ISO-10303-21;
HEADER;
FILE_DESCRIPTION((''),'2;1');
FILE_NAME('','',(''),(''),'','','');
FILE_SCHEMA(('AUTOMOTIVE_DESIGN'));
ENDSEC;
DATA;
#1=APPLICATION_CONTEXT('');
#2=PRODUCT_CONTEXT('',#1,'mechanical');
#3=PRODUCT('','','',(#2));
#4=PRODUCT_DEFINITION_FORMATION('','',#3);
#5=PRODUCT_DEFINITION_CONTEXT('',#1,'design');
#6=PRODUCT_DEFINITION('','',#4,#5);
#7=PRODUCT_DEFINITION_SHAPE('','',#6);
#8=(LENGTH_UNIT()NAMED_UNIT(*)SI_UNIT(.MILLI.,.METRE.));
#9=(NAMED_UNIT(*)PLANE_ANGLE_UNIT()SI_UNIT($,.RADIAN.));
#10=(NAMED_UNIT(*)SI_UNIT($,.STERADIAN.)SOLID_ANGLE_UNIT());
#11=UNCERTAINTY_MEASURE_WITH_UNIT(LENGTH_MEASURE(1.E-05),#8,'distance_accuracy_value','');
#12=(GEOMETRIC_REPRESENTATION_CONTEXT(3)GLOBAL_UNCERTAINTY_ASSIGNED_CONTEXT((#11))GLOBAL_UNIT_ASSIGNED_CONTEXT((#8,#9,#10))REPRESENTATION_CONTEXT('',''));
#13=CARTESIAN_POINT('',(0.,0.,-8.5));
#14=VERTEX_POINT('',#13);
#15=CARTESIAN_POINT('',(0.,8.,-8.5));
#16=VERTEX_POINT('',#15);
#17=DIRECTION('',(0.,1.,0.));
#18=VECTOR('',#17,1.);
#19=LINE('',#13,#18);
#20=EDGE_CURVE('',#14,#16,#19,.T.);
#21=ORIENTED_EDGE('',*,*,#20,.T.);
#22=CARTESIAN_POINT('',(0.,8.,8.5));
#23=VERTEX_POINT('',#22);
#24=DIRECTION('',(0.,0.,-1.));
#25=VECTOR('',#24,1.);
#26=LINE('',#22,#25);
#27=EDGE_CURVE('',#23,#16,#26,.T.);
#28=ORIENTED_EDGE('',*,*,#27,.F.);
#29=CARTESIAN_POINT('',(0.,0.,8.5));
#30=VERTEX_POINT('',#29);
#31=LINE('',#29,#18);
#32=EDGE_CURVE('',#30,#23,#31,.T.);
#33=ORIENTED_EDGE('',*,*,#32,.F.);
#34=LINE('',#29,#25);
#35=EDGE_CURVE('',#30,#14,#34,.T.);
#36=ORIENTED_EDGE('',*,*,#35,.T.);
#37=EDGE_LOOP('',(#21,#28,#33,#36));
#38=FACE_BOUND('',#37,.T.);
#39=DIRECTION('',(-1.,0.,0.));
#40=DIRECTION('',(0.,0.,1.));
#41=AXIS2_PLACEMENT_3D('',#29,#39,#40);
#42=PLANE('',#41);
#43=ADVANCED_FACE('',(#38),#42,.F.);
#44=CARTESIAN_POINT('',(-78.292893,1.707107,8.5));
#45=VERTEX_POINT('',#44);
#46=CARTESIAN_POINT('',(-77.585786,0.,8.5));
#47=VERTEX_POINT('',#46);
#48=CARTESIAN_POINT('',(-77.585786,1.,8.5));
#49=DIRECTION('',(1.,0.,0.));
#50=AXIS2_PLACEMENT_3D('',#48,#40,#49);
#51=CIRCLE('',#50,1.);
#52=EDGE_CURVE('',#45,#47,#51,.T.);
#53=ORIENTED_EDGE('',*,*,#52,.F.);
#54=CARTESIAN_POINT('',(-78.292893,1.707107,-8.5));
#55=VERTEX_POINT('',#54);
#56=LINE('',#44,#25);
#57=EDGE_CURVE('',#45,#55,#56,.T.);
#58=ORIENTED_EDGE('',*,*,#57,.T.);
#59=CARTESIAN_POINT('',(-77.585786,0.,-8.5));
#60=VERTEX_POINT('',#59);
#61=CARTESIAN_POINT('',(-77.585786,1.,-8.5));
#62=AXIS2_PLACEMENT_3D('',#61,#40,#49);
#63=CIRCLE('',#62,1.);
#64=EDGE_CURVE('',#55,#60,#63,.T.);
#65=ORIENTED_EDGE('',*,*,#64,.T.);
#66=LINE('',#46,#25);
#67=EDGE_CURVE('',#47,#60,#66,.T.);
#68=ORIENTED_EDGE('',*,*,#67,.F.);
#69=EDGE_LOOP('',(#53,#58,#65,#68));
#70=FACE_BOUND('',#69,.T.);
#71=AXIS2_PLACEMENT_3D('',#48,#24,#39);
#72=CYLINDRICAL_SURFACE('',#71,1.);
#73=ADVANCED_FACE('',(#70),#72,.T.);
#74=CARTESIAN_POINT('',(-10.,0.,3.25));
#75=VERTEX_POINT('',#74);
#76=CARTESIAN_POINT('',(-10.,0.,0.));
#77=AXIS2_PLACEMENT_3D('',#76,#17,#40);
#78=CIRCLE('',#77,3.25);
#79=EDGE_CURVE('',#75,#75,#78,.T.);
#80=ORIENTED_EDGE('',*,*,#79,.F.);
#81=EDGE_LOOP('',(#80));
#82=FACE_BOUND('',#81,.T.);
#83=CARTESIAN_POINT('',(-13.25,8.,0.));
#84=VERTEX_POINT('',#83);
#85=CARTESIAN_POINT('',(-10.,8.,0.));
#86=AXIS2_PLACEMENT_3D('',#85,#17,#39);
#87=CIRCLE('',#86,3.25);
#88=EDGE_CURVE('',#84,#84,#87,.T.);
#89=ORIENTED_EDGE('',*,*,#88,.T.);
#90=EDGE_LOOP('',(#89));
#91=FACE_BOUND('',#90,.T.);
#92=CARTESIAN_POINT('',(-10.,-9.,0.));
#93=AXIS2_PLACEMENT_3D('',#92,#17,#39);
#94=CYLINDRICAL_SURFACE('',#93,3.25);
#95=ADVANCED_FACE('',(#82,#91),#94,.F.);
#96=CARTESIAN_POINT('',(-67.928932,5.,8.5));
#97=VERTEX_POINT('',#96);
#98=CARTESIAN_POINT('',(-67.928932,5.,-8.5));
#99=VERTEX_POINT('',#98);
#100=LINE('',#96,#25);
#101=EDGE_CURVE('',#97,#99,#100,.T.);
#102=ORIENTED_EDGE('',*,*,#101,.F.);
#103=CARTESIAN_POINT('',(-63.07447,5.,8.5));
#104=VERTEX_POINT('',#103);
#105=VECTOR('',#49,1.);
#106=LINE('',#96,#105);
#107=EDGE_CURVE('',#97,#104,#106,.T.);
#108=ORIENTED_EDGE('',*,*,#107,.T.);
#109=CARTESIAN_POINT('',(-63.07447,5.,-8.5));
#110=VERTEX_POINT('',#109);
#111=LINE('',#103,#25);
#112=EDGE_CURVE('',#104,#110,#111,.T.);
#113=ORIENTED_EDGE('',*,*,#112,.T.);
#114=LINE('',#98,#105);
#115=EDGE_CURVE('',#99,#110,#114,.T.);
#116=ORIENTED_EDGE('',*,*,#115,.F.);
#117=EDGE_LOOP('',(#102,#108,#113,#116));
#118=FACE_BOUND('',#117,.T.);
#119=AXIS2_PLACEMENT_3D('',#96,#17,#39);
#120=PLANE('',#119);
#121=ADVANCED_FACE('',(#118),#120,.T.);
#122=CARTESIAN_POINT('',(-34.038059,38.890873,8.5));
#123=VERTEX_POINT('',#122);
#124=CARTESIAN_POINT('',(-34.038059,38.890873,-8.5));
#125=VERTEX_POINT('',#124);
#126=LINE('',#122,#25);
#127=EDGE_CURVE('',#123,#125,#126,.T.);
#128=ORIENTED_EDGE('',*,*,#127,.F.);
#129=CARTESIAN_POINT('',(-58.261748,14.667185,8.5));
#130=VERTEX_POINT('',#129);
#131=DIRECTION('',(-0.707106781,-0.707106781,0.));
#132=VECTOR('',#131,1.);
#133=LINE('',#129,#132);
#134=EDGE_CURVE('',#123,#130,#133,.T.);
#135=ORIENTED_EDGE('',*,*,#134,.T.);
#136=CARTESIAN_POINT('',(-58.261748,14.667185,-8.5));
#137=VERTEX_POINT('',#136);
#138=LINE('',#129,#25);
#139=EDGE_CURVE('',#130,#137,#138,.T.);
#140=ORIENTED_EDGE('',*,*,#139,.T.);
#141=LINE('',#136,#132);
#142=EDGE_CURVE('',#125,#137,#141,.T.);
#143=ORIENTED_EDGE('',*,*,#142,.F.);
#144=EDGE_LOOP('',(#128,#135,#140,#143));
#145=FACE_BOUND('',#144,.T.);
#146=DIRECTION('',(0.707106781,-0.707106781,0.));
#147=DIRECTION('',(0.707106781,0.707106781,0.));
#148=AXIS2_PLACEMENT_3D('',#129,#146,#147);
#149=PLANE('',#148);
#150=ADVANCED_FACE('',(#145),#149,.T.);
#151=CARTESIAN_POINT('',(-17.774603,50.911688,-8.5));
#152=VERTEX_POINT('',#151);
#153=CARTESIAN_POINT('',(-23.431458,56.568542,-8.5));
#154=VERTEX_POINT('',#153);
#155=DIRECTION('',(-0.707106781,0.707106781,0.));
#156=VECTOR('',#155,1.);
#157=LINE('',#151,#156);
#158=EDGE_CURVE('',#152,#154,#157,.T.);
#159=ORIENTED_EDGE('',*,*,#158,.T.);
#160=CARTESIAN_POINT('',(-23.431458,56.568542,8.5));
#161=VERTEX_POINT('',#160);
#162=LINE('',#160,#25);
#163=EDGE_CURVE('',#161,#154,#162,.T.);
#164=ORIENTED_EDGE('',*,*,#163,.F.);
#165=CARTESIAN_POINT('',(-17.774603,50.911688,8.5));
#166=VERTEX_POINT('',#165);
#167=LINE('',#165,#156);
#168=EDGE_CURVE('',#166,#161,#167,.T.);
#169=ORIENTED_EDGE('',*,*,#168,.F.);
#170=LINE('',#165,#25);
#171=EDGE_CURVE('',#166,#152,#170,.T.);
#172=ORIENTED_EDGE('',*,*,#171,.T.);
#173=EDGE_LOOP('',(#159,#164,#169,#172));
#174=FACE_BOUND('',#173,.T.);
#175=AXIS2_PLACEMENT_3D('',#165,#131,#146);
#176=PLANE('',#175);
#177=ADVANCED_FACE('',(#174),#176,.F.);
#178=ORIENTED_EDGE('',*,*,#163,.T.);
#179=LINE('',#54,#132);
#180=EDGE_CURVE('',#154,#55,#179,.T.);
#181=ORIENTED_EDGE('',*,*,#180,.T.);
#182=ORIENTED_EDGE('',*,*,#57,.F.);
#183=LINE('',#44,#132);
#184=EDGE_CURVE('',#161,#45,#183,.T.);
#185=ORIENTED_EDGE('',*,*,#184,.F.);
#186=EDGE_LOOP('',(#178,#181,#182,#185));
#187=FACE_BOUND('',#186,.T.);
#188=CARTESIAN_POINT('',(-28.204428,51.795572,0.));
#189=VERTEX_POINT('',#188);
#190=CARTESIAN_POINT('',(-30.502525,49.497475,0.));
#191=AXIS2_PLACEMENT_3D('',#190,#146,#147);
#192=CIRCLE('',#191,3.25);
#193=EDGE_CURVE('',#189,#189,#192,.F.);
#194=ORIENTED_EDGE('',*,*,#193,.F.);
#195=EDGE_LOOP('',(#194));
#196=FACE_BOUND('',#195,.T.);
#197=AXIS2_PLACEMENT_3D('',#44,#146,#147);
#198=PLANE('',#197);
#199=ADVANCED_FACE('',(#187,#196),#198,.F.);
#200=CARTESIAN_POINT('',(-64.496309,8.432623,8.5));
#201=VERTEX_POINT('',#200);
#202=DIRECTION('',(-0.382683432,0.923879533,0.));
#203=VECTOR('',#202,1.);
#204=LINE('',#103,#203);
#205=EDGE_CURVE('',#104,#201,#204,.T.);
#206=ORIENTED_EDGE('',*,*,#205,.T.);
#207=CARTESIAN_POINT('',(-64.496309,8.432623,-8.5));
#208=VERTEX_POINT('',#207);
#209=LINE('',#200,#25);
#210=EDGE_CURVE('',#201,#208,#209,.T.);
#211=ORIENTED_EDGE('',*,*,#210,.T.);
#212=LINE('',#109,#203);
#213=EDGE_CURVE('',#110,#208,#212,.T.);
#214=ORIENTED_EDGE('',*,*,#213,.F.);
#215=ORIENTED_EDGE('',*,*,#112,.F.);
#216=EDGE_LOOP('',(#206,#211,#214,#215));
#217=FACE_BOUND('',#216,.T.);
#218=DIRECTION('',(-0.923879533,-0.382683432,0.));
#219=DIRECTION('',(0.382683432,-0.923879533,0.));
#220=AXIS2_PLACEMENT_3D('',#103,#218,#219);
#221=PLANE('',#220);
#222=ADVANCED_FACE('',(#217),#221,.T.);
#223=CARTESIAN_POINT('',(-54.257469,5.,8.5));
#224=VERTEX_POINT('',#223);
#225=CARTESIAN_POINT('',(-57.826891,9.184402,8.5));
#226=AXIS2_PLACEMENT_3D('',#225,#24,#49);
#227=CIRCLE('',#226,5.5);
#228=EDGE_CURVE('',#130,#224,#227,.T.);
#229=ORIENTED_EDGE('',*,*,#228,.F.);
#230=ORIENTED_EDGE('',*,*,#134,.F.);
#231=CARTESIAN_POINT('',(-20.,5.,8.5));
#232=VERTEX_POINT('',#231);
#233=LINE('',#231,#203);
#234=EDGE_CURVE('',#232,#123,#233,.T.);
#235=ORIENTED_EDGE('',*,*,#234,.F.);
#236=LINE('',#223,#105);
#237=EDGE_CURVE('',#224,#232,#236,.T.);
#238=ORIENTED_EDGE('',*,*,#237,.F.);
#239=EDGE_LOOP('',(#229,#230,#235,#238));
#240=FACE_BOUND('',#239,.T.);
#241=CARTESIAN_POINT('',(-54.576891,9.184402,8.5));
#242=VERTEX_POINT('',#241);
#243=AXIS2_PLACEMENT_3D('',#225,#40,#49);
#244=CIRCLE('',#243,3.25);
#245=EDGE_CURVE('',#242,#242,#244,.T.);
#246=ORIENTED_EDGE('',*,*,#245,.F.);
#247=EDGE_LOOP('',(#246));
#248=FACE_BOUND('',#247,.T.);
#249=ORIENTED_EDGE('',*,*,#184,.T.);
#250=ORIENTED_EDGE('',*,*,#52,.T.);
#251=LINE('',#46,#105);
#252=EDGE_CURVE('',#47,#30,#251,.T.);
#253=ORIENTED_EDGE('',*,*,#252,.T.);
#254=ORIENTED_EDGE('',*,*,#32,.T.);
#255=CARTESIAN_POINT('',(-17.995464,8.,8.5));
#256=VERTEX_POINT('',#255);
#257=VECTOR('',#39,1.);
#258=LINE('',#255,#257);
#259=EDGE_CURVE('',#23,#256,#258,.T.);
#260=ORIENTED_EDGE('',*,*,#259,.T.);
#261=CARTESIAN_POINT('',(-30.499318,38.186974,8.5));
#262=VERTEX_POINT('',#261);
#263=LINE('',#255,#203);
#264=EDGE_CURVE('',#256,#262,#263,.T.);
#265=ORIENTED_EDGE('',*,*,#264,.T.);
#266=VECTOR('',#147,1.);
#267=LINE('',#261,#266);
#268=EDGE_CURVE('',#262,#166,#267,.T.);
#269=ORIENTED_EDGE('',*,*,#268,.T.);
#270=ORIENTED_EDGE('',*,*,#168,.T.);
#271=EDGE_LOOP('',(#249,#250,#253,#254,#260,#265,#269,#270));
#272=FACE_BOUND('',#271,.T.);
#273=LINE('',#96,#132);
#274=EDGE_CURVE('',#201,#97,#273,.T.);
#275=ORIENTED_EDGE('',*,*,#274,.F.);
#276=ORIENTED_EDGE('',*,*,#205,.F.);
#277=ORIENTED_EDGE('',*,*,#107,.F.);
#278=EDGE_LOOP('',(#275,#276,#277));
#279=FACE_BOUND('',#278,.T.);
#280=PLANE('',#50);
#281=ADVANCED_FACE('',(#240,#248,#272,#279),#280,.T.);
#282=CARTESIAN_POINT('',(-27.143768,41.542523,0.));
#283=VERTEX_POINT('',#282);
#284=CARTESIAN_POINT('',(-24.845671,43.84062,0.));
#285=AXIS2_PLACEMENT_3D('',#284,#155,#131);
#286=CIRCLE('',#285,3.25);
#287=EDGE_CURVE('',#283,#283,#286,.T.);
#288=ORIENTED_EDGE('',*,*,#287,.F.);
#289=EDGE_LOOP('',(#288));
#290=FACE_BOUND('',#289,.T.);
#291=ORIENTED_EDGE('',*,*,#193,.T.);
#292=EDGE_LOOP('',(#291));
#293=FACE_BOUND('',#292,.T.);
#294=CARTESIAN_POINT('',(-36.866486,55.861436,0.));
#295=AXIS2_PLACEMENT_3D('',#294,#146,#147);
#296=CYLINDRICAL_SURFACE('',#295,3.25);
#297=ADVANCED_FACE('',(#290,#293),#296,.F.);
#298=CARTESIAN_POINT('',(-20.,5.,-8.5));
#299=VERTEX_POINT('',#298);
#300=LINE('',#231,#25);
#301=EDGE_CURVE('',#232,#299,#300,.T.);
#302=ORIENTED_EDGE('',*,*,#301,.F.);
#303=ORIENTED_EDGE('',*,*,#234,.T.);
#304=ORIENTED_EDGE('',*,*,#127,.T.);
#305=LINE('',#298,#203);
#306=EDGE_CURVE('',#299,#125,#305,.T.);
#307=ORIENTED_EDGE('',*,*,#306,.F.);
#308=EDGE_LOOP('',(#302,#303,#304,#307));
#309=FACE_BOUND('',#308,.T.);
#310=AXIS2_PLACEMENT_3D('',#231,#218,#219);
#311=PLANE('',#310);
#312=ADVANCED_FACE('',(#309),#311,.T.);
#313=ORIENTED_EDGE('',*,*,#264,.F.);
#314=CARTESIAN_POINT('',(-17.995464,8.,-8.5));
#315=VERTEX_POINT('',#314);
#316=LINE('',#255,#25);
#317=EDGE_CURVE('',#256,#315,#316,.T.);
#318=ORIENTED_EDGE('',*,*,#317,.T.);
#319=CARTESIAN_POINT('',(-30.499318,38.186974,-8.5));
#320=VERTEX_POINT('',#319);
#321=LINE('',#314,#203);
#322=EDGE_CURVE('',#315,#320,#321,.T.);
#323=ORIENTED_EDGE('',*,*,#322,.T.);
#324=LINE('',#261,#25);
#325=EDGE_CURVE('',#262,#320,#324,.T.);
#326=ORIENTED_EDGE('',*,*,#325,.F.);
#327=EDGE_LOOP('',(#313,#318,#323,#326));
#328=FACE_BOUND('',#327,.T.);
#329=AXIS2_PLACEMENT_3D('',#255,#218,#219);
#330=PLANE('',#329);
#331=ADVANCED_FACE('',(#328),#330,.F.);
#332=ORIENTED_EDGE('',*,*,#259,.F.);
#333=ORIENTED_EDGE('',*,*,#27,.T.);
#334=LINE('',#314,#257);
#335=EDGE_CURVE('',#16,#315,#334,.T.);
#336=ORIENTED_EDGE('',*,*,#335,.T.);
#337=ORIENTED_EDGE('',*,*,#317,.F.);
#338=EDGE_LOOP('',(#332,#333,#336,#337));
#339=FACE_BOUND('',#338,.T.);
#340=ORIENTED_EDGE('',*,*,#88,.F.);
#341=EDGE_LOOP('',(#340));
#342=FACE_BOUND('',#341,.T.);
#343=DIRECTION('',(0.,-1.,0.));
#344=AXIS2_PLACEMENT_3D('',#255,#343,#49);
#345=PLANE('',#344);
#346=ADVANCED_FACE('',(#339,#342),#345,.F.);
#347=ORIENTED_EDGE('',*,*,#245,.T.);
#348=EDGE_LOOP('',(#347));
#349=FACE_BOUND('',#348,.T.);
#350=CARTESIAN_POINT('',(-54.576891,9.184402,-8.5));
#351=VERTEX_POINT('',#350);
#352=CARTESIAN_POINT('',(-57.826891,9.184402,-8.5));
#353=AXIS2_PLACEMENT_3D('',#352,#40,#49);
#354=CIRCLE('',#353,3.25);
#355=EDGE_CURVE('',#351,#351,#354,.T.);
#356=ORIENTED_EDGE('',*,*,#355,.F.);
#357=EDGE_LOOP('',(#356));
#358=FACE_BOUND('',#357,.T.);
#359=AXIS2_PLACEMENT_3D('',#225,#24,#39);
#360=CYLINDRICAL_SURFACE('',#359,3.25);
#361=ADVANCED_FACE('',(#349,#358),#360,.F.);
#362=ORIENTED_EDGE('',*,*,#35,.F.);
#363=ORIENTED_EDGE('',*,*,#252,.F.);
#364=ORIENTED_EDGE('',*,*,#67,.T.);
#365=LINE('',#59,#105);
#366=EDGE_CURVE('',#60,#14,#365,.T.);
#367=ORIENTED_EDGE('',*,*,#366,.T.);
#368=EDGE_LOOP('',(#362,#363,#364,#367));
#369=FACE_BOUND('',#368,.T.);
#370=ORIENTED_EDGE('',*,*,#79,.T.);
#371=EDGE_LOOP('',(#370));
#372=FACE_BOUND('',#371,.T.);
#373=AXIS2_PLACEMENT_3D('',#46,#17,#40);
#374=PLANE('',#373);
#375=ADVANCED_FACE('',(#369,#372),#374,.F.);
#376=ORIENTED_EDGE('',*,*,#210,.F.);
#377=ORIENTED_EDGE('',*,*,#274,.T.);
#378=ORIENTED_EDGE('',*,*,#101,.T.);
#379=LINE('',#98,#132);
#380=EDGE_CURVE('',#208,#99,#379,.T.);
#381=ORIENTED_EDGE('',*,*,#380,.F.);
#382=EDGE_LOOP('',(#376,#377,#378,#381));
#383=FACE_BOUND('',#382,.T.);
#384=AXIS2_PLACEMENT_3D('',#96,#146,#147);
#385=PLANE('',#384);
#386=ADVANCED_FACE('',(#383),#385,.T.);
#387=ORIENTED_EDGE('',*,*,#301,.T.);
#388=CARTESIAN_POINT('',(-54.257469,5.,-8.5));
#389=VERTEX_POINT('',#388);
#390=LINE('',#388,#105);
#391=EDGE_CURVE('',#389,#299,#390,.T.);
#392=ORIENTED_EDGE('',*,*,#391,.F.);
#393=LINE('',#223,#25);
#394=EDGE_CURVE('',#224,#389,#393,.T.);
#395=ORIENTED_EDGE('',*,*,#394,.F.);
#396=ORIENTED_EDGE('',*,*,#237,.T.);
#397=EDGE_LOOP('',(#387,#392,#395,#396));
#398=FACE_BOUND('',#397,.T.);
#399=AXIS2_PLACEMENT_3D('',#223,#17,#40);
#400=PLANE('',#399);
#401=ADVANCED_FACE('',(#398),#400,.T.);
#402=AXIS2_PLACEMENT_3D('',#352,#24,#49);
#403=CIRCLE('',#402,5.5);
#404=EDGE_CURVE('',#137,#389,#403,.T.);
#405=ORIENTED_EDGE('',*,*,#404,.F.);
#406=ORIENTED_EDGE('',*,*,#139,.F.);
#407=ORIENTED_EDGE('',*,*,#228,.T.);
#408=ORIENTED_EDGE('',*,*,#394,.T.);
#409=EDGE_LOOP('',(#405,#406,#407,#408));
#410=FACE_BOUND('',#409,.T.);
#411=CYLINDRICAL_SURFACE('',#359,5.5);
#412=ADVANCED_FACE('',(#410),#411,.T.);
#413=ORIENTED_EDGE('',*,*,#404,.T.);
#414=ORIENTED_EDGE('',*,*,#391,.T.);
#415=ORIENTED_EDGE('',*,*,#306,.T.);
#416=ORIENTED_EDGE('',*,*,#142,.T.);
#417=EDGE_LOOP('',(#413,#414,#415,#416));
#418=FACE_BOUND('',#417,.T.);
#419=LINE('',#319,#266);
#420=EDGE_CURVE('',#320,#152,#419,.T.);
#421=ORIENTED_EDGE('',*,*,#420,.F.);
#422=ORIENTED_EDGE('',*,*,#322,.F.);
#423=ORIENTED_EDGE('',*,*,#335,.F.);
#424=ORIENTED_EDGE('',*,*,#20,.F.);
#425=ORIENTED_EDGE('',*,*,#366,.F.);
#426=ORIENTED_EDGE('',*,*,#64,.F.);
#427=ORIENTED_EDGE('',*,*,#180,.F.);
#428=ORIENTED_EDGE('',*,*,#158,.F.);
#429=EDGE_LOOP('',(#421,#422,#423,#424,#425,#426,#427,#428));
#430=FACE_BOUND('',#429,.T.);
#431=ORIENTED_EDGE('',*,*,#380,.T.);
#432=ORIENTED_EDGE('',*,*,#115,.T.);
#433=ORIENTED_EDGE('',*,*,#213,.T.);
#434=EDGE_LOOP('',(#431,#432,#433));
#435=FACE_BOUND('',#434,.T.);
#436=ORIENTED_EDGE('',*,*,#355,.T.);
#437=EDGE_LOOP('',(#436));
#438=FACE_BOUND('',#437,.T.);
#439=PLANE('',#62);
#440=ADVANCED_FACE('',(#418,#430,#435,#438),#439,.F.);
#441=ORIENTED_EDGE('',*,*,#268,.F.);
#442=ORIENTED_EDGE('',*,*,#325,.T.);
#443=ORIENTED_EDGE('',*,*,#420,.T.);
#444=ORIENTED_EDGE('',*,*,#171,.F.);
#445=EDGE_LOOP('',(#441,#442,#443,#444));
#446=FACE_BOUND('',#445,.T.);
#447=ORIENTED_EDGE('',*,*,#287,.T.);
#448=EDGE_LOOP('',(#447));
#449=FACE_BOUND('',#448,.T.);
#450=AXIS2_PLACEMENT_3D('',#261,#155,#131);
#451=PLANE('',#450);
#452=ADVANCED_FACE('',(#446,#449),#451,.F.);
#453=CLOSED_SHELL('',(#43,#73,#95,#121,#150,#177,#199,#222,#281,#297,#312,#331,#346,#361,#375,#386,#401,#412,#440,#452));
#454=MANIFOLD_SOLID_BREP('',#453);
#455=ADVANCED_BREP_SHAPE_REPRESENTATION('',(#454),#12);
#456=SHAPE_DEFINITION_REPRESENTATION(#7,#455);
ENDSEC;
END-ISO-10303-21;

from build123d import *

# Parameters (mm, degrees)
SKETCH_1_R          = 3.25
EXTRUDE_1_DEPTH     = 8.5
SKETCH_3_R          = 3.25
CUT_EXTRUDE_1_DEPTH = 17


with BuildPart() as part:
    # 草图1 → 凸台-拉伸1 (new, symmetric)
    with BuildSketch(Plane.XY):
        with BuildLine():
            Line((-77.585786438, 0), (0, 0))
            Line((0, 0), (0, 8))
            Line((0, 8), (-17.995464086, 8))
            Line((-17.995464086, 8), (-30.499317942, 38.186973559))
            Line((-30.499317942, 38.186973559), (-17.774603256, 50.911688245))
            Line((-17.774603256, 50.911688245), (-23.431457505, 56.568542495))
            Line((-23.431457505, 56.568542495), (-78.292893219, 1.707106781))
            ThreePointArc((-78.292893219, 1.707106781), (-78.50966597, 0.617316568), (-77.585786438, 0))
        make_face()
        with Locations((-57.82689122, 9.184402377)):
            Circle(SKETCH_1_R, mode=Mode.SUBTRACT)
        Polygon((-67.928932188, 5), (-63.07447047, 5), (-64.496309389, 8.4326228), align=None, mode=Mode.SUBTRACT)
        with BuildLine():
            Line((-54.257468753, 5), (-20, 5))
            Line((-20, 5), (-34.038059223, 38.890872965))
            Line((-34.038059223, 38.890872965), (-58.261747684, 14.667184504))
            ThreePointArc((-58.261747684, 14.667184504), (-52.745553791, 11.289161255), (-54.257468753, 5))
        make_face(mode=Mode.SUBTRACT)
    extrude(amount=EXTRUDE_1_DEPTH, both=True)

    # 草图3 → 切除-拉伸1 (cut)
    with BuildSketch(Plane(origin=(0, 8, 0), x_dir=(1, 0, 0), z_dir=(0, 1, 0))):
        with Locations(Location((-10, 0, 0), (0, 0, 180))):
            Circle(SKETCH_3_R)
    cut_extrude_1 = extrude(amount=-CUT_EXTRUDE_1_DEPTH, mode=Mode.SUBTRACT)

    # 镜向1: 切除-拉伸1 across plane
    add(cut_extrude_1.mirror(Plane(origin=(-11.715728753, 28.284271247, 0), x_dir=(0, 0, 1), z_dir=(-0.3826834323650881, 0.9238795325112875, 0))), mode=Mode.SUBTRACT)


solid = part.part
